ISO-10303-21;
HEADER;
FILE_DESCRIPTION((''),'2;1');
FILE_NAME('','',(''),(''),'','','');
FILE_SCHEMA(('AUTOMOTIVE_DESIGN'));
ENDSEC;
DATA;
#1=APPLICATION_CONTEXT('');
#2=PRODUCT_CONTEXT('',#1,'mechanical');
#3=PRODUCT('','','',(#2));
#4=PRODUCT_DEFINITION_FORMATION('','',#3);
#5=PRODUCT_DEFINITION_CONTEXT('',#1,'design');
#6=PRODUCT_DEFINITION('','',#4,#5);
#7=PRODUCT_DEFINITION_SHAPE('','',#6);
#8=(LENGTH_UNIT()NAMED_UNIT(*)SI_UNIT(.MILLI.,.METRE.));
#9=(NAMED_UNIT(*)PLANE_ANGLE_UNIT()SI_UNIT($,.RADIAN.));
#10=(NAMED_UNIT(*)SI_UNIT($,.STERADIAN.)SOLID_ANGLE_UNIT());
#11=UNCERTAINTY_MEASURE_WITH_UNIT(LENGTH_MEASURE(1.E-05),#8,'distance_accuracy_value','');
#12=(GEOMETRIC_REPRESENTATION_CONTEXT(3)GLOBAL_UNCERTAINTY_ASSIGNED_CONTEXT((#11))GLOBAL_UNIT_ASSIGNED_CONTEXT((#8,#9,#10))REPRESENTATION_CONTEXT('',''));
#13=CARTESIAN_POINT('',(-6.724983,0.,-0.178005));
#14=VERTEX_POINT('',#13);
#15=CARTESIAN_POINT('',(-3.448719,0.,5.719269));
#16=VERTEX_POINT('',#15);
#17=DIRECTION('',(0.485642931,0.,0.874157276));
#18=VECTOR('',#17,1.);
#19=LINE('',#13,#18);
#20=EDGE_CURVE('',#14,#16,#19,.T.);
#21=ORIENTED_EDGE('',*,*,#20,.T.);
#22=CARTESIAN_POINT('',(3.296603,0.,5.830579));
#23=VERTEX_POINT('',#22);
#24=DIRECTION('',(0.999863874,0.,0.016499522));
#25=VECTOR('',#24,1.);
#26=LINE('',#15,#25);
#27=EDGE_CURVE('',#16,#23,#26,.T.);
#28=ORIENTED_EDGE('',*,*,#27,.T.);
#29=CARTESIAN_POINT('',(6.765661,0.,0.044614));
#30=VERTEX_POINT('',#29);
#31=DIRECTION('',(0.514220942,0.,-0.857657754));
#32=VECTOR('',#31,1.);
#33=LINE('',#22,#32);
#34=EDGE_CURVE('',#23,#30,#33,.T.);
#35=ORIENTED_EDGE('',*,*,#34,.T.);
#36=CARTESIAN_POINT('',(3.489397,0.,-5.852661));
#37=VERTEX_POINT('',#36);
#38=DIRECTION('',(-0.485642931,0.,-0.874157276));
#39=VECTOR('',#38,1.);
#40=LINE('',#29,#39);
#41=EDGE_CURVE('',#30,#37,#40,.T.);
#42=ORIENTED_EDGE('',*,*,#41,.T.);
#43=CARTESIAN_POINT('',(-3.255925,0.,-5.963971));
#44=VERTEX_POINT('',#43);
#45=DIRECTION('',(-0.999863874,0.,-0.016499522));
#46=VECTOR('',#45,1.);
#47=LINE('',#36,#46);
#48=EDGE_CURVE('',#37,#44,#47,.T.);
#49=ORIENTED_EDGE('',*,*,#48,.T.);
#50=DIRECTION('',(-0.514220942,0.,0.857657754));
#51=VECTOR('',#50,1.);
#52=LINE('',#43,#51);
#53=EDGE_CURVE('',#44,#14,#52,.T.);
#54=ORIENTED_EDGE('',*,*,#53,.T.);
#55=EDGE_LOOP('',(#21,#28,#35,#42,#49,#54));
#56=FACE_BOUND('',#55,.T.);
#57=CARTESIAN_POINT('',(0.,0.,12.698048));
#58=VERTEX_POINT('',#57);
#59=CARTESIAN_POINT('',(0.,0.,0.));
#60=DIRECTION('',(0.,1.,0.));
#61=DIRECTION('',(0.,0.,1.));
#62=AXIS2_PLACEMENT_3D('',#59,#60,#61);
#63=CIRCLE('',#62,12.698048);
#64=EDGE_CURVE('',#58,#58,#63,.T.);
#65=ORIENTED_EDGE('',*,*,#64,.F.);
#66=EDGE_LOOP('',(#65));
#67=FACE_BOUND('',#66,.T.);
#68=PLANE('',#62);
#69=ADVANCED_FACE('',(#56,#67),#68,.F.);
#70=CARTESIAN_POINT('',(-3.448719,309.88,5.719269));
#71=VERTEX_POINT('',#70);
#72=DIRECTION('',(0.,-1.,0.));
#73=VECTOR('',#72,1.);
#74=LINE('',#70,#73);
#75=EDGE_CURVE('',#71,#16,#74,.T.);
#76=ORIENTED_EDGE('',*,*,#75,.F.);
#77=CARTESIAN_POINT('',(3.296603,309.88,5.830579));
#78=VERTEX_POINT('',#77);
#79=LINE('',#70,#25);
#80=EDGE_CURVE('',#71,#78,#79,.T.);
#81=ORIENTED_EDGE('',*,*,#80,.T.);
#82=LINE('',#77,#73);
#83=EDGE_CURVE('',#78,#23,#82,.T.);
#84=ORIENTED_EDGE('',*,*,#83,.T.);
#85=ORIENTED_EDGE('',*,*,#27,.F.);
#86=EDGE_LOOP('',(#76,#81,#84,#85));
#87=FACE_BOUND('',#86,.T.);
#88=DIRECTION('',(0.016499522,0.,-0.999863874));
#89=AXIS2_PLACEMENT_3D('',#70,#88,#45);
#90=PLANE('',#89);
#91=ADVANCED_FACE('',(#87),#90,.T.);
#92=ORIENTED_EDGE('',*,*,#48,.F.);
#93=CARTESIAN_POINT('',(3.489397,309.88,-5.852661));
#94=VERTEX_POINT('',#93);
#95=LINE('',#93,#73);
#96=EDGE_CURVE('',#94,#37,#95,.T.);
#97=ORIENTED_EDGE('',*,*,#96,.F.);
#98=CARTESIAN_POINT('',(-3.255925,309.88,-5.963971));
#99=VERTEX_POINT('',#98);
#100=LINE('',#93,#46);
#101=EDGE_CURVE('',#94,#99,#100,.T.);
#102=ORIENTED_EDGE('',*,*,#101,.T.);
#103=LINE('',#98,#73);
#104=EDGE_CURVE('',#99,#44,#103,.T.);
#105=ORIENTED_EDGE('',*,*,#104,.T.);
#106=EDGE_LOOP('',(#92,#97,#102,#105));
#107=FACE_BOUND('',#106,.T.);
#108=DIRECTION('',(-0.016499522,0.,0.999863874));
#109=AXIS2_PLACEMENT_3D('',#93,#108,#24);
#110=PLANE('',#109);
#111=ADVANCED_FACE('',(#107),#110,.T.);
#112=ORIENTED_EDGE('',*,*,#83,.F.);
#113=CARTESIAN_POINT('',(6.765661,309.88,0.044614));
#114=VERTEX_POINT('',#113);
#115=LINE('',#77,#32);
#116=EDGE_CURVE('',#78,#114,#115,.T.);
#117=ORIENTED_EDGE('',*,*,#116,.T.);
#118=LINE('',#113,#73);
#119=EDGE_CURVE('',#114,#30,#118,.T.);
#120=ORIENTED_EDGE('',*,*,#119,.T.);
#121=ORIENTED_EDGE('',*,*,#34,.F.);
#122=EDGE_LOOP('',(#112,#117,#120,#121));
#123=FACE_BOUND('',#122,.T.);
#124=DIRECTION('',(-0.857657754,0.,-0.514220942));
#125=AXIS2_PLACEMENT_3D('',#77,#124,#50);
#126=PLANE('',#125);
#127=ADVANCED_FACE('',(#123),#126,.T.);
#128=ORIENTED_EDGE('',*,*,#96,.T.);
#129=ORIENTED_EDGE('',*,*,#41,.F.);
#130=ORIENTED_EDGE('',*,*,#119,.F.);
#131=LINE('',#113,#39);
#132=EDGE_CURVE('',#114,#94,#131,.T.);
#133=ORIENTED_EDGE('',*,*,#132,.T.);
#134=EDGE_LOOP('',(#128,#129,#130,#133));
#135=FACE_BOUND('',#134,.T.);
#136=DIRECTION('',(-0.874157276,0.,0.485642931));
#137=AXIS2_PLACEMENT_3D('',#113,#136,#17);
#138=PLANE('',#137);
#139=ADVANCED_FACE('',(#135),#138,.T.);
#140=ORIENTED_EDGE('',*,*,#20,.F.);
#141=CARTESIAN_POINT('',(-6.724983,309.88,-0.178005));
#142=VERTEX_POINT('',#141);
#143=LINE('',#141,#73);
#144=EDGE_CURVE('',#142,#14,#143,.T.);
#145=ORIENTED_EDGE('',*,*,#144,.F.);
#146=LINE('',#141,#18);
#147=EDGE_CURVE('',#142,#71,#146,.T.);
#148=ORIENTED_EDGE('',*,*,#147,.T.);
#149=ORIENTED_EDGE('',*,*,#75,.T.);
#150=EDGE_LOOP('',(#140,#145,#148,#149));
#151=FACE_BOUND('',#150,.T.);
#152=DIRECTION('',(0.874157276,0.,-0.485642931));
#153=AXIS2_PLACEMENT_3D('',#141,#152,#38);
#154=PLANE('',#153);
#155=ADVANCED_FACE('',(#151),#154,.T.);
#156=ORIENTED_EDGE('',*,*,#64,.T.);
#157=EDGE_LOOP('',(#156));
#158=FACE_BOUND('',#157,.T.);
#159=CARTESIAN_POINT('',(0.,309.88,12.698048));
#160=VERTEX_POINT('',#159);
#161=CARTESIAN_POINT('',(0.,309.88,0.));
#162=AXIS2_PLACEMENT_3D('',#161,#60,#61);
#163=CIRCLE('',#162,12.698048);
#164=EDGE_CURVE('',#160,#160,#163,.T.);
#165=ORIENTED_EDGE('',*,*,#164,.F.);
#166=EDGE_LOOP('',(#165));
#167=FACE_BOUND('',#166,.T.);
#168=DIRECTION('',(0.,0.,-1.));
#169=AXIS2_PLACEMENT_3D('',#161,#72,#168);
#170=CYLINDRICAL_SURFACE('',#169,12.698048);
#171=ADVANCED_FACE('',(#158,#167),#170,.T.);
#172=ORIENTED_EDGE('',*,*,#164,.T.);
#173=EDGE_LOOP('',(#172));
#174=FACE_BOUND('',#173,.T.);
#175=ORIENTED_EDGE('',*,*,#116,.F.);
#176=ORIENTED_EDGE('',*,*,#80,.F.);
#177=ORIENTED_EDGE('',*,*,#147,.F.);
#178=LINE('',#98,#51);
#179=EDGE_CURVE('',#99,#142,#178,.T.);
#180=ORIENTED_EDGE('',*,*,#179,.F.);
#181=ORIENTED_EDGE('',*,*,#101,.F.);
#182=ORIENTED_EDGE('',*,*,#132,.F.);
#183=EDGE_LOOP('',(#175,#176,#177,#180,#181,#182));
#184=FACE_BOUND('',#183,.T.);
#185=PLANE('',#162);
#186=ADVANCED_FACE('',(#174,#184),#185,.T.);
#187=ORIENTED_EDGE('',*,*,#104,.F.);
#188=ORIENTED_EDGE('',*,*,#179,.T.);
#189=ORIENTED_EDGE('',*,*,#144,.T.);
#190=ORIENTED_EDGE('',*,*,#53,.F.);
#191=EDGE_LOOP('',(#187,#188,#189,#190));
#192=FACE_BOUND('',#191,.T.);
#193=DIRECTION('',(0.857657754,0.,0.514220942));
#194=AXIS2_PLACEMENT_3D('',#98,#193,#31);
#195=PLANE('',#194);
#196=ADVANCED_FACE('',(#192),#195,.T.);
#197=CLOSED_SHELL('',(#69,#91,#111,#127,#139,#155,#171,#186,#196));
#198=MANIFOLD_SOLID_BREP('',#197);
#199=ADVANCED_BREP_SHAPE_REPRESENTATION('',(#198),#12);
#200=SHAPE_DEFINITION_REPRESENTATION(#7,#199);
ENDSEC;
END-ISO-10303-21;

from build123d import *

# Parameters (mm, degrees)
SKETCH1_R           = 12.698048489
BOSS_EXTRUDE1_DEPTH = 309.88


with BuildPart() as part:
    # Sketch1 → Boss-Extrude1 (new body)
    with BuildSketch(Plane(origin=(0, 0, 0), x_dir=(1, 0, 0), z_dir=(0, 1, 0))):
        Circle(SKETCH1_R)
        Polygon((3.296602923, -5.830579037), (6.765660814, -0.044613993), (3.489397046, 5.852660789), (-3.255924613, 5.963970528), (-6.724982504, 0.178005484), (-3.448718736, -5.719269298), align=None, mode=Mode.SUBTRACT)
    extrude(amount=BOSS_EXTRUDE1_DEPTH)


solid = part.part
